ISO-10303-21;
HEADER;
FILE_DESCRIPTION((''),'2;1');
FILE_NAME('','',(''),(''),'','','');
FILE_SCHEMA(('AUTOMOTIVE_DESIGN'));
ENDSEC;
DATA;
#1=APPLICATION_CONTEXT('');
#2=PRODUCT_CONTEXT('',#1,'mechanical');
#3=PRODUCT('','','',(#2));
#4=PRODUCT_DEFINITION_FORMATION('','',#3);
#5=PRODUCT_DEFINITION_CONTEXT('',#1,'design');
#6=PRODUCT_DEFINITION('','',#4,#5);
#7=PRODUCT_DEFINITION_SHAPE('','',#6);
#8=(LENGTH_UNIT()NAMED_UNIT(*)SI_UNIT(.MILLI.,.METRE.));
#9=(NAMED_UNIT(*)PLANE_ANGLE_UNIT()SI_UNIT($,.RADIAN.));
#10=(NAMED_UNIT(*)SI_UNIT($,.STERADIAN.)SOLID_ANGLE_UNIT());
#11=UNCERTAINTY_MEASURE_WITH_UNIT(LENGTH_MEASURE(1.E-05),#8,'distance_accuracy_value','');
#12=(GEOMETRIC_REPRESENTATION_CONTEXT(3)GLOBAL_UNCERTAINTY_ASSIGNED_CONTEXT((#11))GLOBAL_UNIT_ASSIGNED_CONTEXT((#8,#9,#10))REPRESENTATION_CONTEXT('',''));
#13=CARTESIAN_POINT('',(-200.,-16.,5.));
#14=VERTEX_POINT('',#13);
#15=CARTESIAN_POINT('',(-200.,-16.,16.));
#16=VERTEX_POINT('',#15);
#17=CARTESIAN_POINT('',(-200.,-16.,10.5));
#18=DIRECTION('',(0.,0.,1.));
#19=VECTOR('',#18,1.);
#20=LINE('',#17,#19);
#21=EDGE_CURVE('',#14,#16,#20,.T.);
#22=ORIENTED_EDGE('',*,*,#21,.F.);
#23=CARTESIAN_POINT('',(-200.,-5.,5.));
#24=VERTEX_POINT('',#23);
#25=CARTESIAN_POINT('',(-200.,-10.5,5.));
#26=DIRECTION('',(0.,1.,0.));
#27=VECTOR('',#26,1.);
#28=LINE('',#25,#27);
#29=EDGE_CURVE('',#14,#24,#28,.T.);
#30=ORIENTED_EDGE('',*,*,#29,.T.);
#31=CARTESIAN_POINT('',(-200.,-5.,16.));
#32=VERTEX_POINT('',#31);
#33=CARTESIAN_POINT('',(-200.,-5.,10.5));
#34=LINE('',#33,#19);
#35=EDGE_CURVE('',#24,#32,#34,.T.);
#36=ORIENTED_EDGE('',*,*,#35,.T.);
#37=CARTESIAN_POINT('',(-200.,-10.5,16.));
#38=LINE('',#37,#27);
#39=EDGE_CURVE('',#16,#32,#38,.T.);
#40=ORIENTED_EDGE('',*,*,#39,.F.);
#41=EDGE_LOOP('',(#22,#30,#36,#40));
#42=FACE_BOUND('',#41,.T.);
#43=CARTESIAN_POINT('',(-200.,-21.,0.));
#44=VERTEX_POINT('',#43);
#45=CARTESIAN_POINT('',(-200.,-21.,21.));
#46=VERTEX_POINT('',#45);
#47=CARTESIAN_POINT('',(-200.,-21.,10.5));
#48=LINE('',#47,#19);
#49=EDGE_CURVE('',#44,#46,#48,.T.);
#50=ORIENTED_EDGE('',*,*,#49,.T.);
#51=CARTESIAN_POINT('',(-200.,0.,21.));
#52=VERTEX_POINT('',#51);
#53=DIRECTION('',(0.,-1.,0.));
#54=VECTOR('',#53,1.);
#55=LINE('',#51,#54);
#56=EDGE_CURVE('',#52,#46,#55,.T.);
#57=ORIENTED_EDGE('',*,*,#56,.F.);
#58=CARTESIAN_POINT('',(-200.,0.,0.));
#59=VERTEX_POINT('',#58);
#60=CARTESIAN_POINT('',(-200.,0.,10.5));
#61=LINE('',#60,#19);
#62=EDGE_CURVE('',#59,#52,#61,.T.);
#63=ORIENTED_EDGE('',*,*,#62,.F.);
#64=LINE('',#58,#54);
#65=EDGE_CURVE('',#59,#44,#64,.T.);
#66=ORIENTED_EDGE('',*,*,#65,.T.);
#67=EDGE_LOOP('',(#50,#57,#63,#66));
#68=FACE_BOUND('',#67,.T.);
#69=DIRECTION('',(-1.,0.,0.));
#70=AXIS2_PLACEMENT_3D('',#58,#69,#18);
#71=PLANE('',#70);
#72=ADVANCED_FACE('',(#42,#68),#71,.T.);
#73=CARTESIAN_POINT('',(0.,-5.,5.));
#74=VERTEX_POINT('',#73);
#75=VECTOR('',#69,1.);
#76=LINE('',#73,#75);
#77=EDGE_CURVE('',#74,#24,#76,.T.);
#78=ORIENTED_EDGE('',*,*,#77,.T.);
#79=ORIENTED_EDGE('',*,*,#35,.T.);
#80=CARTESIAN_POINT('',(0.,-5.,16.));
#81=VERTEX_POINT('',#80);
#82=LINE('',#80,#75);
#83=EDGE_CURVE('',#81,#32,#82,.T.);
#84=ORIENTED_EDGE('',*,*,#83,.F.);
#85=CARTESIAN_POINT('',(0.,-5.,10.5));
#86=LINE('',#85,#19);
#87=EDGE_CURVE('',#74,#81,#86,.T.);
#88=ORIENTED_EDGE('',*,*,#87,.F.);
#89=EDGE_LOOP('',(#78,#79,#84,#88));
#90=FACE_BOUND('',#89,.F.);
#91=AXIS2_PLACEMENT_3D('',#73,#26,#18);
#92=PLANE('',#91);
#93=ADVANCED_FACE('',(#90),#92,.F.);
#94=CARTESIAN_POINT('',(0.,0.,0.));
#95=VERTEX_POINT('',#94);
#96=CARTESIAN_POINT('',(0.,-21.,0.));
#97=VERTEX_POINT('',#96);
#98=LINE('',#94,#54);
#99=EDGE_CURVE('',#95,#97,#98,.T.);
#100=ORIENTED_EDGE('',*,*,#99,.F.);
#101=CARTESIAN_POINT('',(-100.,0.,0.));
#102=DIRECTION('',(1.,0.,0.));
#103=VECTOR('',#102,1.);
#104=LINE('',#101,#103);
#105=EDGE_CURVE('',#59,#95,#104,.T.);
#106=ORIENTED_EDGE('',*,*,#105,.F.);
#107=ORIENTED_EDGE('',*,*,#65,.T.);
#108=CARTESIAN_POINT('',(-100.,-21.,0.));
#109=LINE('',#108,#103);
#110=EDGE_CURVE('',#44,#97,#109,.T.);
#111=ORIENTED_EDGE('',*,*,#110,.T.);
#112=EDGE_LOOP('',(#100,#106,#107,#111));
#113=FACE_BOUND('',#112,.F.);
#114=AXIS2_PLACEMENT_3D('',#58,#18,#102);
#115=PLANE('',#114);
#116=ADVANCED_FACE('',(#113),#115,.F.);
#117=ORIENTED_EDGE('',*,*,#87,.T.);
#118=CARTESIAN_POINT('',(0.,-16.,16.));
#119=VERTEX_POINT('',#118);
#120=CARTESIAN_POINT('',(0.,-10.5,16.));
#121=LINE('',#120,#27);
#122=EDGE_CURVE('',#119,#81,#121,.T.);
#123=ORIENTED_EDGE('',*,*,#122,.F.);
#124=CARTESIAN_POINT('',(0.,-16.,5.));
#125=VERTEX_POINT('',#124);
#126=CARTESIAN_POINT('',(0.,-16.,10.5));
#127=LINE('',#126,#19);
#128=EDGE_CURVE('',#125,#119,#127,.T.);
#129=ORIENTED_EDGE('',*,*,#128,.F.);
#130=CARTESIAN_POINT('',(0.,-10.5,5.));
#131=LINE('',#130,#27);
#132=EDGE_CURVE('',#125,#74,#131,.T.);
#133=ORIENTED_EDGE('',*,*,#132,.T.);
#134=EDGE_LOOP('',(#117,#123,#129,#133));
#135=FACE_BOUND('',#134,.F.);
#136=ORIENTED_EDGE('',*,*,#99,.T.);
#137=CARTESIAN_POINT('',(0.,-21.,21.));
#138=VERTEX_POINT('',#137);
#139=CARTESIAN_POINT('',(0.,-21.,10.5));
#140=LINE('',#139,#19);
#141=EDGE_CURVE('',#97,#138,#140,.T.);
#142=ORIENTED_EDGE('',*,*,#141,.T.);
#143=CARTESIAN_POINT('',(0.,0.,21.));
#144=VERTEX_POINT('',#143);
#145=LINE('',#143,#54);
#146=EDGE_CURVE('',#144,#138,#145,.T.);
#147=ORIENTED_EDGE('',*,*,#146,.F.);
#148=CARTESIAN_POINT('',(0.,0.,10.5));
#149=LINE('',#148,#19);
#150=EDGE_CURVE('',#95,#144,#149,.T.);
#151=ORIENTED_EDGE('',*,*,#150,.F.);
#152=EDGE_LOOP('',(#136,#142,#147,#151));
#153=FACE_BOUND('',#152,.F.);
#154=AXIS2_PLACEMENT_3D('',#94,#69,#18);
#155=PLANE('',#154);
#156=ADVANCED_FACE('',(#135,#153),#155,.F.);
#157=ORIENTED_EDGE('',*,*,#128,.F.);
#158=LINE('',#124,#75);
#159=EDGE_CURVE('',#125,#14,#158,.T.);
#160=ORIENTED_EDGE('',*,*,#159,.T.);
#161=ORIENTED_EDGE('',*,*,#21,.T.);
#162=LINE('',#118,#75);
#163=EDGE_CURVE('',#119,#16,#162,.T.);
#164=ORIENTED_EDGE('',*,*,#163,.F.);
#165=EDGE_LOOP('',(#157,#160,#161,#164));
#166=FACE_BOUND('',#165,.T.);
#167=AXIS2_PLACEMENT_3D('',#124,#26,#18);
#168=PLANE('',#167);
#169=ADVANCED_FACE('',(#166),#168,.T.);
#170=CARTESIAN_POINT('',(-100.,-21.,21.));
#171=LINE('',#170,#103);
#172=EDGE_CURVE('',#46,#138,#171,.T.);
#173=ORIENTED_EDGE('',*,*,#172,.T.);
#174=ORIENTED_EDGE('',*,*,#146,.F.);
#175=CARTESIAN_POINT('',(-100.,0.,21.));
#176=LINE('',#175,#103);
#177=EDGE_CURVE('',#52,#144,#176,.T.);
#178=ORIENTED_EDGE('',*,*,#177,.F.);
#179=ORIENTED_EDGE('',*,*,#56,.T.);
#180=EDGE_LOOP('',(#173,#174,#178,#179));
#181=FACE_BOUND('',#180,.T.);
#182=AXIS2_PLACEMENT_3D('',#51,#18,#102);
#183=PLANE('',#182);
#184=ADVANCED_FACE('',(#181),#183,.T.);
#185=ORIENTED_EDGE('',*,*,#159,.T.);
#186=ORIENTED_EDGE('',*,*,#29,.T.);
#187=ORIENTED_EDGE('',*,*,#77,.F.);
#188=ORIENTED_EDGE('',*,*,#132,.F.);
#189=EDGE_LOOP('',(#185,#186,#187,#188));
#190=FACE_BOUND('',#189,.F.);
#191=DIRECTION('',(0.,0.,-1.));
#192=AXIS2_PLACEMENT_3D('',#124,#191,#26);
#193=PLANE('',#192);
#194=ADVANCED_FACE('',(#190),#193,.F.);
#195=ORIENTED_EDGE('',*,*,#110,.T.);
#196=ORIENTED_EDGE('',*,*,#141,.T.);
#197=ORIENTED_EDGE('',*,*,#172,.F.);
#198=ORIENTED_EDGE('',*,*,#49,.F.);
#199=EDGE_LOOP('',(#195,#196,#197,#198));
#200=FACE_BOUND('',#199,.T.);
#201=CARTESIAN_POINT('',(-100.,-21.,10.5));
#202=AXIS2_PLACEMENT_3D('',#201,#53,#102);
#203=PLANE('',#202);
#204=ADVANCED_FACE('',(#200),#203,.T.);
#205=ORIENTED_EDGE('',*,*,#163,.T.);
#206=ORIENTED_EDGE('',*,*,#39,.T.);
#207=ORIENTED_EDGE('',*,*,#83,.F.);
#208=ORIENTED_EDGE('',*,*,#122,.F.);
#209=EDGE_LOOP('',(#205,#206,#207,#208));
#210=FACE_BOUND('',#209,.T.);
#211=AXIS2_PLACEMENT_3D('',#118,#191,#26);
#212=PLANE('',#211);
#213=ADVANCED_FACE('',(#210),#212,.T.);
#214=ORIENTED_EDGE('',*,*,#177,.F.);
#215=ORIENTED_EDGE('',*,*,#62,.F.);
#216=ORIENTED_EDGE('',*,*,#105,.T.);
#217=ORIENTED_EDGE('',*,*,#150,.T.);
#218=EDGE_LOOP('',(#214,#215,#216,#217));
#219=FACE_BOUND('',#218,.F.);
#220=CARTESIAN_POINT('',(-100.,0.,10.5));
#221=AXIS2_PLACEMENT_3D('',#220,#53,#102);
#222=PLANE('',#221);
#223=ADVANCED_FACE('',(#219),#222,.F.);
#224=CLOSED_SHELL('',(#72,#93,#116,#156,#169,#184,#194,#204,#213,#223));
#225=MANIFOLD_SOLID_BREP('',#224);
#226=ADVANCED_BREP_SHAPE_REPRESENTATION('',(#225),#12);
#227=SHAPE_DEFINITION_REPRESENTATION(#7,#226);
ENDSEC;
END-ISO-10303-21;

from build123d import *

# Parameters (mm, degrees)
F0_W     = 200
F0_H     = 21
F1_DEPTH = 21
F2_W     = 11
F2_H     = 11
F3_DEPTH = 200


with BuildPart() as f1:
    # F0 (on Front) → F1 (new body)
    with BuildSketch(Plane.XZ):
        with Locations((-100, 10.5)):
            Rectangle(F0_W, F0_H)
    extrude(amount=F1_DEPTH)

    # F2 (on Right) → F3 (cut)
    with BuildSketch(Plane.YZ):
        with Locations((-10.5, 10.5)):
            Rectangle(F2_W, F2_H)
    extrude(amount=-F3_DEPTH, mode=Mode.SUBTRACT)


solid = f1.part
